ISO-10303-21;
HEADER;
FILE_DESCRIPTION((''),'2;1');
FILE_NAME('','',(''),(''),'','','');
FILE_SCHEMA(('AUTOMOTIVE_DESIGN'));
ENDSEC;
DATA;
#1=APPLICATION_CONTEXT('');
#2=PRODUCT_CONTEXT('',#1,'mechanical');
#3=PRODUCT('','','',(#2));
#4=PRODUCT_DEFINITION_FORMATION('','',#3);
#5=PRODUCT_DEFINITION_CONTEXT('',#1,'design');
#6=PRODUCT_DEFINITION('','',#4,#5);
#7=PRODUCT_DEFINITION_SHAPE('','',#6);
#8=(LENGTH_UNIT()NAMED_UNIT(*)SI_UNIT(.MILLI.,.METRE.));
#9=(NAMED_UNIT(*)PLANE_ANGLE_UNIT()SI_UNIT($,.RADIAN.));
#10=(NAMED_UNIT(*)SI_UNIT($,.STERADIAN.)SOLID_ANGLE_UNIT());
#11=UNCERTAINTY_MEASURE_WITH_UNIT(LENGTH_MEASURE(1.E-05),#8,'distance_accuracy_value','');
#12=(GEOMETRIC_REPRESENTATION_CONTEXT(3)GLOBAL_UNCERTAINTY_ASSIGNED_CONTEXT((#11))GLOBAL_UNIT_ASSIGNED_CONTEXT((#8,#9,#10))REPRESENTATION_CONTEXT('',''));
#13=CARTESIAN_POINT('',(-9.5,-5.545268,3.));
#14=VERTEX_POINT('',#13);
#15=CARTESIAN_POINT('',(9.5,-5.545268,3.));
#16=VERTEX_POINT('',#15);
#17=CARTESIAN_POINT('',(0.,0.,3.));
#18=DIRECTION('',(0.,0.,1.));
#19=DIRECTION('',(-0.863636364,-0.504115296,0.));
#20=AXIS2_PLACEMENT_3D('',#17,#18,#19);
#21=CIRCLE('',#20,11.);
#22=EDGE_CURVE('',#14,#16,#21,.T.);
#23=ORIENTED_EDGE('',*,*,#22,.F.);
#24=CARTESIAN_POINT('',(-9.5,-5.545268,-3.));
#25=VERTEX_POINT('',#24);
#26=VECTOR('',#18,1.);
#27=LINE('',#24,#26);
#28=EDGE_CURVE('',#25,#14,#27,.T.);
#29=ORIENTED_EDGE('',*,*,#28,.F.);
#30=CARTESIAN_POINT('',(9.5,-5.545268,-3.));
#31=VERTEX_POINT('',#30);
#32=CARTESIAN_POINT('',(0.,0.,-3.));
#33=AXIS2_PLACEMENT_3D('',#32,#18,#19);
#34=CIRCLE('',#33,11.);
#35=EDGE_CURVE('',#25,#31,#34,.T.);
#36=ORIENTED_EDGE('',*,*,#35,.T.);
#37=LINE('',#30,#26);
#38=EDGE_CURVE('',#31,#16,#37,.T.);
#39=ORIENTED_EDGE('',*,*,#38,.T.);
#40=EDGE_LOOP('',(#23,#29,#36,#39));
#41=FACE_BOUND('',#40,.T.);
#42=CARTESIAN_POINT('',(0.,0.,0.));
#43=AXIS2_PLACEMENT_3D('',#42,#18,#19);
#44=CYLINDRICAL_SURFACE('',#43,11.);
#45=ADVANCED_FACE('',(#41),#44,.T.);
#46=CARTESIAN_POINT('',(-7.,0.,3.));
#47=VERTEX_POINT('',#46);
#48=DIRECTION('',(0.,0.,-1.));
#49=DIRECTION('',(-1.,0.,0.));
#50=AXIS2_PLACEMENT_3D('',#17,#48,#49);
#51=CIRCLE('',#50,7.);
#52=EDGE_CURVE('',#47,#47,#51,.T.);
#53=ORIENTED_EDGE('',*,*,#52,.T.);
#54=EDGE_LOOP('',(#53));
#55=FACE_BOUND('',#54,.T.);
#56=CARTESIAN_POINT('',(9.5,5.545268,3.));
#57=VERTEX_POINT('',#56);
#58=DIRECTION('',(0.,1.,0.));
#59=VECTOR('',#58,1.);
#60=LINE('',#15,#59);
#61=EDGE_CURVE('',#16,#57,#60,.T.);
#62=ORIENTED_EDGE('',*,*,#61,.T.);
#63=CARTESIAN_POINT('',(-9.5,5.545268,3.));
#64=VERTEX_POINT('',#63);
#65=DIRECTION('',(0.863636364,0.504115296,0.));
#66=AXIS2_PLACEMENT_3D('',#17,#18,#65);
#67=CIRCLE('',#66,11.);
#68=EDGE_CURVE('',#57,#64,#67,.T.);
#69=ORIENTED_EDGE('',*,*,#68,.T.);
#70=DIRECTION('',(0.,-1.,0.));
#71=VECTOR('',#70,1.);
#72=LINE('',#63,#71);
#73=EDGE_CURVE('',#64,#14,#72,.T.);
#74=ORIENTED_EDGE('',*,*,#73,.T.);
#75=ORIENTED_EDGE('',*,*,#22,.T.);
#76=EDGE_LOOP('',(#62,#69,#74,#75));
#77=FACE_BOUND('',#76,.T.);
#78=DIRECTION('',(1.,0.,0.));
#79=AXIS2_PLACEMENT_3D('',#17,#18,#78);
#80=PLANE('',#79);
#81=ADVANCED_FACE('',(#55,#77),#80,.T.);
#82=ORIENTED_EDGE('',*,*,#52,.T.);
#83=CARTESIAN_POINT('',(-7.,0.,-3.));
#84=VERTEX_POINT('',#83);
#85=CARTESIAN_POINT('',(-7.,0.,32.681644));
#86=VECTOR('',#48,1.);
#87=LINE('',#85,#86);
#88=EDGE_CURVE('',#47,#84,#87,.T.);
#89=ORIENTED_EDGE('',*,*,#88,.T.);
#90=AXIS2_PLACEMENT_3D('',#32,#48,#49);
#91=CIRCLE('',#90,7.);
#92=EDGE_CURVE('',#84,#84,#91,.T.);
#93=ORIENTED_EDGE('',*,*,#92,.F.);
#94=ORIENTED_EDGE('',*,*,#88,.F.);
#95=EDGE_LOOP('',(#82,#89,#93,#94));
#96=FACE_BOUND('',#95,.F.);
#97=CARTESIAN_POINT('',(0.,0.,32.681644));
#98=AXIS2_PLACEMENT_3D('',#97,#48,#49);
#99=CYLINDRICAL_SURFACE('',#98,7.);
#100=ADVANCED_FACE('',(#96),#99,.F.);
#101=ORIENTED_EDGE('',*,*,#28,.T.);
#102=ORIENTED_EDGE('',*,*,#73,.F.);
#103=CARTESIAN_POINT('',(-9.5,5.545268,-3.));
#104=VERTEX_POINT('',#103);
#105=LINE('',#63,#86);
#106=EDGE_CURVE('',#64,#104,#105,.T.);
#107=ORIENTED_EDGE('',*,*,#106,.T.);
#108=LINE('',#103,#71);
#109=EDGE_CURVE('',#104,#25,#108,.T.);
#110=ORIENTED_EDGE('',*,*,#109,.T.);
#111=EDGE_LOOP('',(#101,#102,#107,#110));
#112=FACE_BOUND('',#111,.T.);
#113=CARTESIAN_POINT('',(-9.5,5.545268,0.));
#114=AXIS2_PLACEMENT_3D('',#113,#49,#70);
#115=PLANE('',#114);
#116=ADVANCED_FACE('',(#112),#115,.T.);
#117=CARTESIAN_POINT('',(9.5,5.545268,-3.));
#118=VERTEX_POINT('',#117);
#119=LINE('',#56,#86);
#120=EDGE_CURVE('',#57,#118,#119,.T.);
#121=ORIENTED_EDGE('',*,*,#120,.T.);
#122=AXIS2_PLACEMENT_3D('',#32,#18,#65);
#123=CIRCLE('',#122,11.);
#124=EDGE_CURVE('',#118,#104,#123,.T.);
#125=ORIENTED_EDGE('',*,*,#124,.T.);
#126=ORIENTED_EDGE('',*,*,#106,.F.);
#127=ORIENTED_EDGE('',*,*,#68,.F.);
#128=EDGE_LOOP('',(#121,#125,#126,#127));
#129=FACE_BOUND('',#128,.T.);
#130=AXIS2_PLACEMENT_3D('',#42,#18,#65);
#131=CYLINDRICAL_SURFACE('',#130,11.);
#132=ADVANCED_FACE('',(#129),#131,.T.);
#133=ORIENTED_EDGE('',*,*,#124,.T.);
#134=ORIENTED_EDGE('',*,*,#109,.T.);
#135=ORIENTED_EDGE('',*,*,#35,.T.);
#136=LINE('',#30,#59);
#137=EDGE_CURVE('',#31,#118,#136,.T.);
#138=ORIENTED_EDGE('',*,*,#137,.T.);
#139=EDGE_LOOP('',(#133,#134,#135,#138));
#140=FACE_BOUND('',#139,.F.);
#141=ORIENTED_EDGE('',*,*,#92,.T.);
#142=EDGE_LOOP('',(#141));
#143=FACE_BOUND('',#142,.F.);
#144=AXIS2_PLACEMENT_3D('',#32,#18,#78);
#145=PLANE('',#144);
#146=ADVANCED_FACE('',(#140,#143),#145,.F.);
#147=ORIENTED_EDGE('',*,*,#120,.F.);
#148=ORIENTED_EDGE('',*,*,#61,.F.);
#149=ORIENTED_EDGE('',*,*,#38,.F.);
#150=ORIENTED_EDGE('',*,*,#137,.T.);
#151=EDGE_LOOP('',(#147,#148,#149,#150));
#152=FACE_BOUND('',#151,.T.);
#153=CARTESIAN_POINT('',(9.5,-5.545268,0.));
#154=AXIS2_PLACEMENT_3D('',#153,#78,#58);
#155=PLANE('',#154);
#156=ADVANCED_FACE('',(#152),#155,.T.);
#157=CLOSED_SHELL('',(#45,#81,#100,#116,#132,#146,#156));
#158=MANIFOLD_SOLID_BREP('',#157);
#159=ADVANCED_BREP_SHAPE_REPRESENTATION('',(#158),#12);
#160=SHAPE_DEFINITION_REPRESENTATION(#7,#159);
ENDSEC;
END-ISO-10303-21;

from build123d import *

# Parameters (mm, degrees)
F1_DEPTH = 3
F3_D     = 14


with BuildPart() as f1:
    # F0 (on Top) → F1 (new body, symmetric)
    with BuildSketch(Plane.XY):
        with BuildLine():
            Line((-9.5, 5.5452682532), (-9.5, -5.5452682532))
            ThreePointArc((-9.5, -5.5452682532), (0, -11), (9.5, -5.5452682532))
            Line((9.5, -5.5452682532), (9.5, 5.5452682532))
            ThreePointArc((9.5, 5.5452682532), (0, 11), (-9.5, 5.5452682532))
        make_face()
    extrude(amount=F1_DEPTH, both=True)

    # F3 (through all)
    with Locations(Plane.XY.offset(3)):
        with Locations((0, 0)):
            Hole(F3_D / 2)


solid = f1.part
